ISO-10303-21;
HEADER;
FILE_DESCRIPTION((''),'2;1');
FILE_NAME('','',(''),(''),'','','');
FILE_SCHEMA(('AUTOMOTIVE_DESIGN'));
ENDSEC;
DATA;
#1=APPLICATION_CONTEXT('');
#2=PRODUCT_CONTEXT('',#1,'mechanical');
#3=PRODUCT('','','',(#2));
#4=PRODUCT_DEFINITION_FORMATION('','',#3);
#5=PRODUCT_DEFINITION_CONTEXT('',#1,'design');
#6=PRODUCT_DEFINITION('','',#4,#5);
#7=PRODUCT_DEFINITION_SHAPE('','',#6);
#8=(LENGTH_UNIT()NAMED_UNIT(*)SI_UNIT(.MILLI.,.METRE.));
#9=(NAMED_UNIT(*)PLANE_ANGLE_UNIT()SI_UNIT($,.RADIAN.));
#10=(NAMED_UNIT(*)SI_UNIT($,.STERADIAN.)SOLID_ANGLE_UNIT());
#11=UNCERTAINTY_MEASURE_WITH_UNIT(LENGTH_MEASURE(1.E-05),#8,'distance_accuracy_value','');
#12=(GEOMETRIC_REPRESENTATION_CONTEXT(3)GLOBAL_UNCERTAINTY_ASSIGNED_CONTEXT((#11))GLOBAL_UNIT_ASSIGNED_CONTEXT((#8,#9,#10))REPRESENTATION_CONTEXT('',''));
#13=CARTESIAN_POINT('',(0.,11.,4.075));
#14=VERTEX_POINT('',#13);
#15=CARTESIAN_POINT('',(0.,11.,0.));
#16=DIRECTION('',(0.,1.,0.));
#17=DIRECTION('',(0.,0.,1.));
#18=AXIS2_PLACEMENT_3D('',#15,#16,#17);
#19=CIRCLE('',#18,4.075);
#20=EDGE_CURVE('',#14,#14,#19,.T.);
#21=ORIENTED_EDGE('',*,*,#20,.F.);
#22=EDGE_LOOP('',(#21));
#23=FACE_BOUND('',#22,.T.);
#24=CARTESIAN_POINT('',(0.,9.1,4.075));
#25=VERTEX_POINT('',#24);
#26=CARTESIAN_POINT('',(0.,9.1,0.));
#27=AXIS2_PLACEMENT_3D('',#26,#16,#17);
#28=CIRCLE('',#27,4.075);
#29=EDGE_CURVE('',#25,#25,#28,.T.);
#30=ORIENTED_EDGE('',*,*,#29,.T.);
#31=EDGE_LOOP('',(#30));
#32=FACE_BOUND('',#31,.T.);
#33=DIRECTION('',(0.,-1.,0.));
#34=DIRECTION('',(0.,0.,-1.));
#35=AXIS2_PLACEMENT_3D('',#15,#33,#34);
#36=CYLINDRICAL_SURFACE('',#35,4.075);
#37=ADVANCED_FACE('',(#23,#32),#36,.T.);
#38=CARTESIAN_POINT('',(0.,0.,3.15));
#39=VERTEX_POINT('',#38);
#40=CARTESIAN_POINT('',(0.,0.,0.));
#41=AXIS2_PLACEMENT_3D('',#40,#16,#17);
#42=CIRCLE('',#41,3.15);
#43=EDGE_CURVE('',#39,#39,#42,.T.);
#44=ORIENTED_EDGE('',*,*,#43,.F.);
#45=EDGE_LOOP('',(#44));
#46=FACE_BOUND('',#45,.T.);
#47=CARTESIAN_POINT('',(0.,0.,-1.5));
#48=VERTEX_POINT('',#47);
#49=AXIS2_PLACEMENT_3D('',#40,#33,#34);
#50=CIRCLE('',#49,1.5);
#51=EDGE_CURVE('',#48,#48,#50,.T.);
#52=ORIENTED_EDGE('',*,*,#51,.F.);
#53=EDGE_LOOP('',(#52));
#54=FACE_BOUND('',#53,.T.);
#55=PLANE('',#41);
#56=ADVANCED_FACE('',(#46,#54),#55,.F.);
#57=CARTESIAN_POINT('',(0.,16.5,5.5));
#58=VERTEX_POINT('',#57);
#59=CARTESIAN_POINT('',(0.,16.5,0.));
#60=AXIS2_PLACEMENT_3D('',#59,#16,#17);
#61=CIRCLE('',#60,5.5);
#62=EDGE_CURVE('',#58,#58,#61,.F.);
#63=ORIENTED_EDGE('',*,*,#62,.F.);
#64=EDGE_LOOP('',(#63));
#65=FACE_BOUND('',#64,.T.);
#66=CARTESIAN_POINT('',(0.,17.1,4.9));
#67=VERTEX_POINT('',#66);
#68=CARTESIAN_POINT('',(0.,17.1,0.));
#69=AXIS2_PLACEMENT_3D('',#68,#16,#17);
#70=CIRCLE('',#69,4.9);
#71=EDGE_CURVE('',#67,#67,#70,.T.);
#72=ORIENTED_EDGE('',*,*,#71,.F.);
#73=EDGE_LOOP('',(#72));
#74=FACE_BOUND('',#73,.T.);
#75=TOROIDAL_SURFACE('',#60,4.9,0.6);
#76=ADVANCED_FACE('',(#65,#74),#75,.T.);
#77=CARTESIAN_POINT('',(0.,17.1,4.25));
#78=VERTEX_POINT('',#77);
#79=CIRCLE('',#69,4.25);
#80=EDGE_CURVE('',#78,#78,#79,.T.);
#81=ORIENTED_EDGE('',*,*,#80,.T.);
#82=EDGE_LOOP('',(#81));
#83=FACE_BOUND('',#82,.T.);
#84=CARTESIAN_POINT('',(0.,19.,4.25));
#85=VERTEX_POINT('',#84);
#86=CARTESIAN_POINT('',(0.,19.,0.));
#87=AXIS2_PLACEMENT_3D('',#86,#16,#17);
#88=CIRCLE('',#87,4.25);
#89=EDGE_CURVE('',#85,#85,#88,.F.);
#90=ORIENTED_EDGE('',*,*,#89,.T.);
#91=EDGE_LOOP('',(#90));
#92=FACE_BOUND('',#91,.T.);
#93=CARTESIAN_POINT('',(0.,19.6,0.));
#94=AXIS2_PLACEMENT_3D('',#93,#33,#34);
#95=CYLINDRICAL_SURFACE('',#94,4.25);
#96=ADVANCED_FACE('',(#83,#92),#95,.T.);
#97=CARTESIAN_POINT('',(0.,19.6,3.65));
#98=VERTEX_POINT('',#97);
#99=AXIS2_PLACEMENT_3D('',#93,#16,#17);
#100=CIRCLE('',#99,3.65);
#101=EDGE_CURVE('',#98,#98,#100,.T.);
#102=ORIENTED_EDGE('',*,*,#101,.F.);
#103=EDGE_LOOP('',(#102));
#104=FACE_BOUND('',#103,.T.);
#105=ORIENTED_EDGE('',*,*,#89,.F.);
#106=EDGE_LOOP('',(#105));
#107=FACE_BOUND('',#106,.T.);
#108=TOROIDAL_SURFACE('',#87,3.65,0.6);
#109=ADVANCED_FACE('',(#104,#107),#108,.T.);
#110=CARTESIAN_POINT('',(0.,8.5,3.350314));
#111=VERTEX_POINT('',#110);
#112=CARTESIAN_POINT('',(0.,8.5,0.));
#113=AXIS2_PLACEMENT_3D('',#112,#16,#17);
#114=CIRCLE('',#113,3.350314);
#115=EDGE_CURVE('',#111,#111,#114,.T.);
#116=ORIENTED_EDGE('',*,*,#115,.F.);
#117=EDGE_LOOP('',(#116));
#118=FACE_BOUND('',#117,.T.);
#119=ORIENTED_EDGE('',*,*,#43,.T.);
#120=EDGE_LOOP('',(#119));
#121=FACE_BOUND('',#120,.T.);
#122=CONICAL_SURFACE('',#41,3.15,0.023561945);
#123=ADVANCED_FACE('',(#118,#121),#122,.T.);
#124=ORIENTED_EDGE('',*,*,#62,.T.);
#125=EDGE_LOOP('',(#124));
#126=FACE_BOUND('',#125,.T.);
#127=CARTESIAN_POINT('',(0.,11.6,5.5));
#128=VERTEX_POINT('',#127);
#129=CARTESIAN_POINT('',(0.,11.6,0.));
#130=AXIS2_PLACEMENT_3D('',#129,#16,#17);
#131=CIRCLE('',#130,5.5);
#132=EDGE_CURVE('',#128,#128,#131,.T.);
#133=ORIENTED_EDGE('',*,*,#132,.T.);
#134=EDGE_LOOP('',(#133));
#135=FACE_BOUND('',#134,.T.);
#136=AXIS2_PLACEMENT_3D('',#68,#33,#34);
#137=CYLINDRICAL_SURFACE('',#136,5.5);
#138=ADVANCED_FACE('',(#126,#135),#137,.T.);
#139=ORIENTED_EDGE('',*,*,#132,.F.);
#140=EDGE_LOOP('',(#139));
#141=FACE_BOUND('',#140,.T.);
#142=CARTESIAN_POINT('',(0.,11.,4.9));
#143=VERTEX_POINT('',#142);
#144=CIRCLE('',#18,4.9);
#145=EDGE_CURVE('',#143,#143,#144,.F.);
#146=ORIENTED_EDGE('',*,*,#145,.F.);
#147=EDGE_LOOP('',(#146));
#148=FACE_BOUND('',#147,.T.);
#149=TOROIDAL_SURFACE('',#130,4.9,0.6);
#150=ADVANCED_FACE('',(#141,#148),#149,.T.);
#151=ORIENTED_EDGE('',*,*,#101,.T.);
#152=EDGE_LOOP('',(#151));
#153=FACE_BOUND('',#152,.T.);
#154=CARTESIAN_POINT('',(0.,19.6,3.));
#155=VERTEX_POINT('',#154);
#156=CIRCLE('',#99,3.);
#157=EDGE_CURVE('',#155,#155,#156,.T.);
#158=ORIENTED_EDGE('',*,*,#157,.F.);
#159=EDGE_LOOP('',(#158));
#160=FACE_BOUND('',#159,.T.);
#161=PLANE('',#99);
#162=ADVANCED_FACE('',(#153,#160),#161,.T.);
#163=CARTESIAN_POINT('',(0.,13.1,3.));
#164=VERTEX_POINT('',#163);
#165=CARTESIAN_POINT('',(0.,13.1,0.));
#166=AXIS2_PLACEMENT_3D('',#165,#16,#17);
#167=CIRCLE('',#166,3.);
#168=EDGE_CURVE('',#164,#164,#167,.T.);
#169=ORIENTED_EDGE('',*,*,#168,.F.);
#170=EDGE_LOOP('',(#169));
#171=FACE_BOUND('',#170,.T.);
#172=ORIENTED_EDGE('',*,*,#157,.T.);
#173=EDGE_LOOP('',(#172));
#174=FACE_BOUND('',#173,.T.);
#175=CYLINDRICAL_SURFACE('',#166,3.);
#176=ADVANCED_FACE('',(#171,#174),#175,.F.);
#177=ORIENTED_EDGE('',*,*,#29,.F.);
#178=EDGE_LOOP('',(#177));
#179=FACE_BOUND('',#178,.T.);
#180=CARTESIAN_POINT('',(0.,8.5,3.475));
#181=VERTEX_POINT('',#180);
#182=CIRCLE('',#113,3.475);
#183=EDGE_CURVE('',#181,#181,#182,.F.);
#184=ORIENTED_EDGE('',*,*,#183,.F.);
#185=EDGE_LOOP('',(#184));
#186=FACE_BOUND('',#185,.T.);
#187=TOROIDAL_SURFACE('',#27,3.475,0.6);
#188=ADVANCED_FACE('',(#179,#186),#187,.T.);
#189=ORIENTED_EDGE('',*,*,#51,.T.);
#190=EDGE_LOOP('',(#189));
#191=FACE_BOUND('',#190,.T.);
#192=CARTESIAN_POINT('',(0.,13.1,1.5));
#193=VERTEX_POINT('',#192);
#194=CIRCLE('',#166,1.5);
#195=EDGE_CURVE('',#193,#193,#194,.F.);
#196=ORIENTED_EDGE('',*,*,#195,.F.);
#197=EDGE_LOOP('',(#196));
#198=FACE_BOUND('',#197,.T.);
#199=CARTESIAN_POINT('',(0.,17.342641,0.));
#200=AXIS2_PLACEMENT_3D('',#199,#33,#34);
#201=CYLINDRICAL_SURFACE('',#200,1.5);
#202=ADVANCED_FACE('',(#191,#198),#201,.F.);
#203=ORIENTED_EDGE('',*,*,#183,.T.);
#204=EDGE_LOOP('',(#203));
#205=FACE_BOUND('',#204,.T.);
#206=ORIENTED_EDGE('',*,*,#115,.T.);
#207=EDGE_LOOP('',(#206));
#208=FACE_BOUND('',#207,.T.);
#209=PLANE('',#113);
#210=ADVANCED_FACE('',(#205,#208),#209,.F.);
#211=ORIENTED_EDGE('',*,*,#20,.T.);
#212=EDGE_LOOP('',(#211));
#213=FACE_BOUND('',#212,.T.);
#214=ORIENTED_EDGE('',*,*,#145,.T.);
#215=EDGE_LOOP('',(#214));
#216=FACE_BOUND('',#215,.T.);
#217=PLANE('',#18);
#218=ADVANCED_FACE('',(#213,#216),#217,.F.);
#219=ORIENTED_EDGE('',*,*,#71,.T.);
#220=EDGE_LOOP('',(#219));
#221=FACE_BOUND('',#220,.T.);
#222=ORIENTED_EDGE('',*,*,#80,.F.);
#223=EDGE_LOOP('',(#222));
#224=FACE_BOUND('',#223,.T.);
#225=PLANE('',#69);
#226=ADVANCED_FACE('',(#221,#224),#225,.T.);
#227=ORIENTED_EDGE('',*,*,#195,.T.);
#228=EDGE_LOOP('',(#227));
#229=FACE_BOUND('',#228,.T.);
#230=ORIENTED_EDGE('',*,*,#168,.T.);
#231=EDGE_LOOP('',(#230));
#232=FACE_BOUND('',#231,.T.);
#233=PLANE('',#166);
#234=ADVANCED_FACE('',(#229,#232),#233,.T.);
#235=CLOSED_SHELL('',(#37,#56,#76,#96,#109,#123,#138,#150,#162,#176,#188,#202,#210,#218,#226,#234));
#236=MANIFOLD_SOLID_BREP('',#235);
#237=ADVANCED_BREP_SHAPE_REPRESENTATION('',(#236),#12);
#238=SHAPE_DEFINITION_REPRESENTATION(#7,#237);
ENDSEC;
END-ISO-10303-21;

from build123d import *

# Parameters (mm, degrees)
SKETCH1_R           = 3.15
BOSS_EXTRUDE1_DEPTH = 8.5
BOSS_EXTRUDE1_TAPER = -1.35
SKETCH2_R           = 4.075
BOSS_EXTRUDE2_DEPTH = 2.5
SKETCH3_R           = 5.5
BOSS_EXTRUDE3_DEPTH = 6.1
SKETCH4_R           = 4.25
BOSS_EXTRUDE4_DEPTH = 2.5
SKETCH5_R           = 3
CUT_EXTRUDE1_DEPTH  = 6.5
SKETCH6_R           = 1.5
CUT_EXTRUDE2_DEPTH  = 13.1
FILLET1_R           = 0.6


with BuildPart() as part:
    # Sketch1 → Boss-Extrude1 (new body)
    with BuildSketch(Plane(origin=(0, 0, 0), x_dir=(1, 0, 0), z_dir=(0, 1, 0))):
        Circle(SKETCH1_R)
    extrude(amount=BOSS_EXTRUDE1_DEPTH, taper=BOSS_EXTRUDE1_TAPER)

    # Sketch2 → Boss-Extrude2 (add)
    with BuildSketch(Plane(origin=(0, 8.5, 0), x_dir=(1, 0, 0), z_dir=(0, 1, 0))):
        Circle(SKETCH2_R)
    extrude(amount=BOSS_EXTRUDE2_DEPTH)

    # Sketch3 → Boss-Extrude3 (add)
    with BuildSketch(Plane(origin=(0, 11, 0), x_dir=(1, 0, 0), z_dir=(0, 1, 0))):
        Circle(SKETCH3_R)
    extrude(amount=BOSS_EXTRUDE3_DEPTH)

    # Sketch4 → Boss-Extrude4 (add)
    with BuildSketch(Plane(origin=(0, 17.1, 0), x_dir=(1, 0, 0), z_dir=(0, 1, 0))):
        Circle(SKETCH4_R)
    extrude(amount=BOSS_EXTRUDE4_DEPTH)

    # Sketch5 → Cut-Extrude1 (cut)
    with BuildSketch(Plane(origin=(0, 19.6, 0), x_dir=(1, 0, 0), z_dir=(0, 1, 0))):
        Circle(SKETCH5_R)
    extrude(amount=-CUT_EXTRUDE1_DEPTH, mode=Mode.SUBTRACT)

    # Sketch6 → Cut-Extrude2 (cut)
    with BuildSketch(Plane.XZ):
        Circle(SKETCH6_R)
    extrude(amount=-CUT_EXTRUDE2_DEPTH, mode=Mode.SUBTRACT)

    # Fillet1
    fillet1_edges = [part.edges().sort_by_distance(p)[0] for p in [
        (-5.5, 17.1, 0),
        (-4.25, 19.6, 0),
        (-4.075, 8.5, 0),
        (-5.5, 11, 0),
    ]]
    fillet(fillet1_edges, radius=FILLET1_R)


solid = part.part
